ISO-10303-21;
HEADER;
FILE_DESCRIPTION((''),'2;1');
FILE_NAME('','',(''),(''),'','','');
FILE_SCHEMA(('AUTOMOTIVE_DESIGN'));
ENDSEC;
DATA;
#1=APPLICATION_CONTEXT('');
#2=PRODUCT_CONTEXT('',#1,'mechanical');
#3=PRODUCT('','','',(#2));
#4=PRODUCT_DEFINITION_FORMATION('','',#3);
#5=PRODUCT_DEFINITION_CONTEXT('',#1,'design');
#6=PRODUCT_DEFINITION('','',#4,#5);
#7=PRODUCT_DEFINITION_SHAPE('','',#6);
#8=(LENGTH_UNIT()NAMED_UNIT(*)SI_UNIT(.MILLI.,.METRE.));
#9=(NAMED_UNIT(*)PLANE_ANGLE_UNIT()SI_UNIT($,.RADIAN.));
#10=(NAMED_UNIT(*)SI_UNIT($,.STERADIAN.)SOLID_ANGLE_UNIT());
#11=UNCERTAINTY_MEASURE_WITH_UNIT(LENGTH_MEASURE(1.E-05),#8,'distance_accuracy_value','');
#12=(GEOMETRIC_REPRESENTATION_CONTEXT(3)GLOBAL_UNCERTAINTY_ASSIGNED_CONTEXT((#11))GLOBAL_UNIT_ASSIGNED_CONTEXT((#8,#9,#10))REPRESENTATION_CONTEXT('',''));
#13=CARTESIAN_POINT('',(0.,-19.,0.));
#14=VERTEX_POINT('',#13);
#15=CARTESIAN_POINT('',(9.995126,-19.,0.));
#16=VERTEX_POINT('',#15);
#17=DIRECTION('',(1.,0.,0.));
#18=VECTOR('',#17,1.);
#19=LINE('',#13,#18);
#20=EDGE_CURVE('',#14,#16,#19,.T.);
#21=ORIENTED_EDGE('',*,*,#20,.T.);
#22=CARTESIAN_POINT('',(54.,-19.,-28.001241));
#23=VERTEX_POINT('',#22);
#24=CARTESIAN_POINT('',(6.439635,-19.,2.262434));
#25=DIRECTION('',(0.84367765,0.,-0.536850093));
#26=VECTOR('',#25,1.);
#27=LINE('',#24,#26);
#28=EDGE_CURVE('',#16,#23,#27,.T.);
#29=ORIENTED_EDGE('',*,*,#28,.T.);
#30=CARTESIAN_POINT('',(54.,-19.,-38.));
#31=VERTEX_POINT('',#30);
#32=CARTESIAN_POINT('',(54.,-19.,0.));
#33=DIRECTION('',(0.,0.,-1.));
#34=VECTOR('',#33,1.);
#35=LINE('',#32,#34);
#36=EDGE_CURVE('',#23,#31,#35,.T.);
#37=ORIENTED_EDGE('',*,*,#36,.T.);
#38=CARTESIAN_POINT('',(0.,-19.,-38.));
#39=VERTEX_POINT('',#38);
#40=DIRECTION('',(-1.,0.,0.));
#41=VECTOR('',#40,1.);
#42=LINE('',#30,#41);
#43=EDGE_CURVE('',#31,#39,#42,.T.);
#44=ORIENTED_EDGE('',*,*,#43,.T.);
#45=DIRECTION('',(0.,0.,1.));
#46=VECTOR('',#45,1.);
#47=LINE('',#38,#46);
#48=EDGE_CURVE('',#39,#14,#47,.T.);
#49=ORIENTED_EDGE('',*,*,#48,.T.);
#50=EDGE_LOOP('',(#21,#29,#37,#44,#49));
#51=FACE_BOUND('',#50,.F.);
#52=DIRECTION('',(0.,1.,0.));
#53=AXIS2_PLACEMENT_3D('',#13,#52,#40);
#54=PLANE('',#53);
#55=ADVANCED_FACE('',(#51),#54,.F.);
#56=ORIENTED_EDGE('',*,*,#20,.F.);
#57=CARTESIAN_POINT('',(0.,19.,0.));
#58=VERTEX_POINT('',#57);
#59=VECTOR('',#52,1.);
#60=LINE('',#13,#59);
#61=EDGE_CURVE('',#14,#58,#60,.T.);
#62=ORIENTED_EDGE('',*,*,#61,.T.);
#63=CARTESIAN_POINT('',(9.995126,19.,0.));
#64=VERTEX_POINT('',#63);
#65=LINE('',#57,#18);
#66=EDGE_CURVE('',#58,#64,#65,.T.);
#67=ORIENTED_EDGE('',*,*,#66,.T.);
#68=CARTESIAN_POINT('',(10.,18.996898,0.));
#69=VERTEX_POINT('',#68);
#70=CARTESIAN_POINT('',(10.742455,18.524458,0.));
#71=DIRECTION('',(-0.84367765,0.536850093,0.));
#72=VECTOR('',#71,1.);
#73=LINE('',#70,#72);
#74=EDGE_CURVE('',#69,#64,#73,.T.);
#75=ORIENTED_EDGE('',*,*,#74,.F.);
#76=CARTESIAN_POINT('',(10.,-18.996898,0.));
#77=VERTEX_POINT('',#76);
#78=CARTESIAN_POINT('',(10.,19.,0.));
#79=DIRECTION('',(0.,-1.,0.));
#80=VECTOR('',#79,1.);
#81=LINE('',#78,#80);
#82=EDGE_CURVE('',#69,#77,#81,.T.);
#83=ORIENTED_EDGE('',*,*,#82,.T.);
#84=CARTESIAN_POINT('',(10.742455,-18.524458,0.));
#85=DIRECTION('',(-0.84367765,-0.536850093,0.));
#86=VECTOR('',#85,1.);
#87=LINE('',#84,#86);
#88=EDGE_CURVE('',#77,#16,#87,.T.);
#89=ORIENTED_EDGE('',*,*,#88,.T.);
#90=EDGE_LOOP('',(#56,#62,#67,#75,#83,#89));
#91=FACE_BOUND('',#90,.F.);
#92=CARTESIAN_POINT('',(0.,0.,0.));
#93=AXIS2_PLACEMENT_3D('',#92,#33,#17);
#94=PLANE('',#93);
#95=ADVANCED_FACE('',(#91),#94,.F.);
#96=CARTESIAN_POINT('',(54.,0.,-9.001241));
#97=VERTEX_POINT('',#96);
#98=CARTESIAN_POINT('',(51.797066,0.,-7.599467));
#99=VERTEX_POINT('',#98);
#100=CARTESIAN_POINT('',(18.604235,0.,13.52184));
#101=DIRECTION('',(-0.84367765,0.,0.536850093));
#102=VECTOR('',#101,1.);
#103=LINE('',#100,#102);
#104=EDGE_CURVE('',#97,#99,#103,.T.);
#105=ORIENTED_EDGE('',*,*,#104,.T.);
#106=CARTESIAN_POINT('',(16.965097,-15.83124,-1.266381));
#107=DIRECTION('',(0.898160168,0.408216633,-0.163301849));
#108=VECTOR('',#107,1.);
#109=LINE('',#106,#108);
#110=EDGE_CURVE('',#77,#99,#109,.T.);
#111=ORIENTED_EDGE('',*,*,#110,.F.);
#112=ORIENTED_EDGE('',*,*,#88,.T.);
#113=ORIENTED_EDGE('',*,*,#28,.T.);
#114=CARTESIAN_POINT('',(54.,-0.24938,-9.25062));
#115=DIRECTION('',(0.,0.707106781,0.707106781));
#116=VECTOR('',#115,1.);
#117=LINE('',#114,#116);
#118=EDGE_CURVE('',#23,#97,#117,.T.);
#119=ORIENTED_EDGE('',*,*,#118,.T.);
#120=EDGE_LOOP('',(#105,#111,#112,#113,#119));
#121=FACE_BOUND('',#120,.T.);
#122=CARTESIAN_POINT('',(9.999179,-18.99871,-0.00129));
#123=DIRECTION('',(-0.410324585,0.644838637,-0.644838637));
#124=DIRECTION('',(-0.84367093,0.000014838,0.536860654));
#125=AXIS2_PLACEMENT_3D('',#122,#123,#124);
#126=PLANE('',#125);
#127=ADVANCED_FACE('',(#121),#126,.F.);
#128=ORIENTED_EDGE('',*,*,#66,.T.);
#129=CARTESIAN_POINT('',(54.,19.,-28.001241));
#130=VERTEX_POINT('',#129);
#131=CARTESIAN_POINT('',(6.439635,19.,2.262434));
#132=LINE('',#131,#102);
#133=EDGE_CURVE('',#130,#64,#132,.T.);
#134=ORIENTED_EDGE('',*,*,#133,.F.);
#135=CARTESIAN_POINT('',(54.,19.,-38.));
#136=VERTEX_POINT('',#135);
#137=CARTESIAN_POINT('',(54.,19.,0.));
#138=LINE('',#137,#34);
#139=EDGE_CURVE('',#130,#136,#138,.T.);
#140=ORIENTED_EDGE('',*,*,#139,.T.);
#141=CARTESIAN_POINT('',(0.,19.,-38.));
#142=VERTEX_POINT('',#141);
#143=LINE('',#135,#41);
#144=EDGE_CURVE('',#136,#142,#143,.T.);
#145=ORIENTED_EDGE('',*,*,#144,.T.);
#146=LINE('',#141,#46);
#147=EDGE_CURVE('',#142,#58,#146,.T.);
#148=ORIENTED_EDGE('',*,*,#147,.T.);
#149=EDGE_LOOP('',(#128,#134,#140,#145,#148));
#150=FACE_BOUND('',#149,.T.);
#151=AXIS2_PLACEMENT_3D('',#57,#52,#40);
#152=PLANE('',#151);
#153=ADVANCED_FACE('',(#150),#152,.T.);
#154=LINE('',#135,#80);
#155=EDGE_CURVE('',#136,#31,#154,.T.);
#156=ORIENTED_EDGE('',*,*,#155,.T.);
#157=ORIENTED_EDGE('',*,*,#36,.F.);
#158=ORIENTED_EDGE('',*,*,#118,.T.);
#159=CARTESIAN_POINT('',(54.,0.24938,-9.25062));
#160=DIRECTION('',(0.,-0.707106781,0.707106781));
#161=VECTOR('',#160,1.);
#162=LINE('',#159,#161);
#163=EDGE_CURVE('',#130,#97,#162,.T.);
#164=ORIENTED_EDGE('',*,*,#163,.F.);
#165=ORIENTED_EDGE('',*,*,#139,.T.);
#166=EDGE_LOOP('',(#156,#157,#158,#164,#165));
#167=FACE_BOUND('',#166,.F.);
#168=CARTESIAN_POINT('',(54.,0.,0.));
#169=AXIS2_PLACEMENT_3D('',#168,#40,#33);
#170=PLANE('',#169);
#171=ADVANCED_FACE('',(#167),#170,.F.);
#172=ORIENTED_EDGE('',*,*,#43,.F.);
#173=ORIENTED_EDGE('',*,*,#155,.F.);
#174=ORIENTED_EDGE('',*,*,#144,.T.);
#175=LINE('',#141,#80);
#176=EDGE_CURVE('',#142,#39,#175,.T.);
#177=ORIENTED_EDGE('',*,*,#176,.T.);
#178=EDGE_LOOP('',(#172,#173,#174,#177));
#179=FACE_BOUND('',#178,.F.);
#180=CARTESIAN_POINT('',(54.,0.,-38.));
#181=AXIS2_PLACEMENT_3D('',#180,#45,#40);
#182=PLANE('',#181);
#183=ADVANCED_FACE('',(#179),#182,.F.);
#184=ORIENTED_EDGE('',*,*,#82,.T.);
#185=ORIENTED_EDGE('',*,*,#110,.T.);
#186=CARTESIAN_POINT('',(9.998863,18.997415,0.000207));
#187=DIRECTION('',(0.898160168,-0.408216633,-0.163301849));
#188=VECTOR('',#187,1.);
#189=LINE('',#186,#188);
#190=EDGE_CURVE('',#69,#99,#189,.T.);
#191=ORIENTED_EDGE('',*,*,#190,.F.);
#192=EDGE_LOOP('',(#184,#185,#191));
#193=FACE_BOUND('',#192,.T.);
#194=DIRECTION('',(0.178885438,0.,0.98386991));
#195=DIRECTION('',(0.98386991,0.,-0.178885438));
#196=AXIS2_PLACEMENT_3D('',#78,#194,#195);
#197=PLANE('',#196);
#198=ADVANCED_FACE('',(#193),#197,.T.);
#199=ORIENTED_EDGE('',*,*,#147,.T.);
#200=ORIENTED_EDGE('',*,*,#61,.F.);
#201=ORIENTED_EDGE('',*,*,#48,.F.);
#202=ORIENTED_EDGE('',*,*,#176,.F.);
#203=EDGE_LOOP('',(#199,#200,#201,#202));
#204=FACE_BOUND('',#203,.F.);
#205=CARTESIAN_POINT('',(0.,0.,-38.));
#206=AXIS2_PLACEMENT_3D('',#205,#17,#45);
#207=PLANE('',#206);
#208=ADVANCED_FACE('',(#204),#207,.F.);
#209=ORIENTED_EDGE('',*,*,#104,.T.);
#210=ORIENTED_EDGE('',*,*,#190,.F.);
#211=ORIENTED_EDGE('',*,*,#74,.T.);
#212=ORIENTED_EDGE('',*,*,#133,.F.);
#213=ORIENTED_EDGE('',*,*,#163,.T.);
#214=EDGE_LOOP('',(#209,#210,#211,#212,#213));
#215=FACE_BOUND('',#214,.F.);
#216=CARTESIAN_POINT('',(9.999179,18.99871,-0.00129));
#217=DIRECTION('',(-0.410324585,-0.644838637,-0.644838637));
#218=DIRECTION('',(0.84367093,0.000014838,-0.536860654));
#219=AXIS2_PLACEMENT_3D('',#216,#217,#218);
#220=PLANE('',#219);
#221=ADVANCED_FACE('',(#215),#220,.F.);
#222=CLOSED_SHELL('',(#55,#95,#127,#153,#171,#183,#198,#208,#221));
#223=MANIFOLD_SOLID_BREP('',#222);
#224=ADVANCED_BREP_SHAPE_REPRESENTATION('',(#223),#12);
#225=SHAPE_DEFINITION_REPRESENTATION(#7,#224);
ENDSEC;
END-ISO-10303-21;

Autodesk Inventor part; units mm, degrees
ref_plane "YZ Plane" through (0, 0, 0) normal (1, 0, 0) x (0, 1, 0)
ref_plane "XZ Plane" through (0, 0, 0) normal (0, 1, 0) x (-1, 0, 0)
sketch "草圖1" plane through (0, 0, 0) normal (0, 1, 0) x (-1, 0, 0)
  line L0 (0, 0) -> (-54, 0)
  line L1 (-54, 0) -> (-54, -38)
  line L2 (-54, -38) -> (0, -38)
  line L3 (0, -38) -> (0, 0)
  dimension "d0" = 54
  dimension "d1" = 38
extrude "擠出1" add sketch "草圖1" along normal mid plane 38
sketch "草圖2" plane through (0, 19, 0) normal (0, 1, 0) x (1, 0, 0)
  line L0 (0, 0) -> (54, 0) projected
  line L1 (10, 0) -> (54, 8)
  line L2 (54, 0) -> (54, 38) projected
  dimension "d4" = 10
  dimension "d5" = 30
extrude "擠出2" cut sketch "草圖2" against normal blind 40
sketch "草圖3" plane through (54, -19, -38) normal (1, 0, 0) x (0, 0, -1)
  line L0 (-30, 18) -> (-10, 38)
  line L1 (0, 38) -> (-38, 38) projected
  line L2 (-30, 38) -> (-30, 0) projected
  point P0 (-38, 19)
  dimension "d8" = 20
  dimension "d9" = 20
ref_plane "工作平面1" through (10, 19, 0) normal (-0.4103, -0.6448, -0.6448) x (0.8437, 0, -0.5369)
sketch "草圖4" plane through (10, 19, 0) normal (-0.4103, -0.6448, -0.6448) x (0.8437, 0, -0.5369)
  line L0 (-15.1543, -12.3218) -> (93.717, -12.3218)
  line L1 (93.717, -12.3218) -> (93.717, 28.8166)
  line L2 (93.717, 28.8166) -> (-15.1543, 28.8166)
  line L3 (-15.1543, 28.8166) -> (-15.1543, -12.3218)
  point P0 (-8.4366, 11.0602)
extrude "擠出3" cut sketch "草圖4" against normal blind 40
mirror "鏡射1" about plane through (0, 0, 0) normal (0, 1, 0) of "擠出3"
properties part number "26"
